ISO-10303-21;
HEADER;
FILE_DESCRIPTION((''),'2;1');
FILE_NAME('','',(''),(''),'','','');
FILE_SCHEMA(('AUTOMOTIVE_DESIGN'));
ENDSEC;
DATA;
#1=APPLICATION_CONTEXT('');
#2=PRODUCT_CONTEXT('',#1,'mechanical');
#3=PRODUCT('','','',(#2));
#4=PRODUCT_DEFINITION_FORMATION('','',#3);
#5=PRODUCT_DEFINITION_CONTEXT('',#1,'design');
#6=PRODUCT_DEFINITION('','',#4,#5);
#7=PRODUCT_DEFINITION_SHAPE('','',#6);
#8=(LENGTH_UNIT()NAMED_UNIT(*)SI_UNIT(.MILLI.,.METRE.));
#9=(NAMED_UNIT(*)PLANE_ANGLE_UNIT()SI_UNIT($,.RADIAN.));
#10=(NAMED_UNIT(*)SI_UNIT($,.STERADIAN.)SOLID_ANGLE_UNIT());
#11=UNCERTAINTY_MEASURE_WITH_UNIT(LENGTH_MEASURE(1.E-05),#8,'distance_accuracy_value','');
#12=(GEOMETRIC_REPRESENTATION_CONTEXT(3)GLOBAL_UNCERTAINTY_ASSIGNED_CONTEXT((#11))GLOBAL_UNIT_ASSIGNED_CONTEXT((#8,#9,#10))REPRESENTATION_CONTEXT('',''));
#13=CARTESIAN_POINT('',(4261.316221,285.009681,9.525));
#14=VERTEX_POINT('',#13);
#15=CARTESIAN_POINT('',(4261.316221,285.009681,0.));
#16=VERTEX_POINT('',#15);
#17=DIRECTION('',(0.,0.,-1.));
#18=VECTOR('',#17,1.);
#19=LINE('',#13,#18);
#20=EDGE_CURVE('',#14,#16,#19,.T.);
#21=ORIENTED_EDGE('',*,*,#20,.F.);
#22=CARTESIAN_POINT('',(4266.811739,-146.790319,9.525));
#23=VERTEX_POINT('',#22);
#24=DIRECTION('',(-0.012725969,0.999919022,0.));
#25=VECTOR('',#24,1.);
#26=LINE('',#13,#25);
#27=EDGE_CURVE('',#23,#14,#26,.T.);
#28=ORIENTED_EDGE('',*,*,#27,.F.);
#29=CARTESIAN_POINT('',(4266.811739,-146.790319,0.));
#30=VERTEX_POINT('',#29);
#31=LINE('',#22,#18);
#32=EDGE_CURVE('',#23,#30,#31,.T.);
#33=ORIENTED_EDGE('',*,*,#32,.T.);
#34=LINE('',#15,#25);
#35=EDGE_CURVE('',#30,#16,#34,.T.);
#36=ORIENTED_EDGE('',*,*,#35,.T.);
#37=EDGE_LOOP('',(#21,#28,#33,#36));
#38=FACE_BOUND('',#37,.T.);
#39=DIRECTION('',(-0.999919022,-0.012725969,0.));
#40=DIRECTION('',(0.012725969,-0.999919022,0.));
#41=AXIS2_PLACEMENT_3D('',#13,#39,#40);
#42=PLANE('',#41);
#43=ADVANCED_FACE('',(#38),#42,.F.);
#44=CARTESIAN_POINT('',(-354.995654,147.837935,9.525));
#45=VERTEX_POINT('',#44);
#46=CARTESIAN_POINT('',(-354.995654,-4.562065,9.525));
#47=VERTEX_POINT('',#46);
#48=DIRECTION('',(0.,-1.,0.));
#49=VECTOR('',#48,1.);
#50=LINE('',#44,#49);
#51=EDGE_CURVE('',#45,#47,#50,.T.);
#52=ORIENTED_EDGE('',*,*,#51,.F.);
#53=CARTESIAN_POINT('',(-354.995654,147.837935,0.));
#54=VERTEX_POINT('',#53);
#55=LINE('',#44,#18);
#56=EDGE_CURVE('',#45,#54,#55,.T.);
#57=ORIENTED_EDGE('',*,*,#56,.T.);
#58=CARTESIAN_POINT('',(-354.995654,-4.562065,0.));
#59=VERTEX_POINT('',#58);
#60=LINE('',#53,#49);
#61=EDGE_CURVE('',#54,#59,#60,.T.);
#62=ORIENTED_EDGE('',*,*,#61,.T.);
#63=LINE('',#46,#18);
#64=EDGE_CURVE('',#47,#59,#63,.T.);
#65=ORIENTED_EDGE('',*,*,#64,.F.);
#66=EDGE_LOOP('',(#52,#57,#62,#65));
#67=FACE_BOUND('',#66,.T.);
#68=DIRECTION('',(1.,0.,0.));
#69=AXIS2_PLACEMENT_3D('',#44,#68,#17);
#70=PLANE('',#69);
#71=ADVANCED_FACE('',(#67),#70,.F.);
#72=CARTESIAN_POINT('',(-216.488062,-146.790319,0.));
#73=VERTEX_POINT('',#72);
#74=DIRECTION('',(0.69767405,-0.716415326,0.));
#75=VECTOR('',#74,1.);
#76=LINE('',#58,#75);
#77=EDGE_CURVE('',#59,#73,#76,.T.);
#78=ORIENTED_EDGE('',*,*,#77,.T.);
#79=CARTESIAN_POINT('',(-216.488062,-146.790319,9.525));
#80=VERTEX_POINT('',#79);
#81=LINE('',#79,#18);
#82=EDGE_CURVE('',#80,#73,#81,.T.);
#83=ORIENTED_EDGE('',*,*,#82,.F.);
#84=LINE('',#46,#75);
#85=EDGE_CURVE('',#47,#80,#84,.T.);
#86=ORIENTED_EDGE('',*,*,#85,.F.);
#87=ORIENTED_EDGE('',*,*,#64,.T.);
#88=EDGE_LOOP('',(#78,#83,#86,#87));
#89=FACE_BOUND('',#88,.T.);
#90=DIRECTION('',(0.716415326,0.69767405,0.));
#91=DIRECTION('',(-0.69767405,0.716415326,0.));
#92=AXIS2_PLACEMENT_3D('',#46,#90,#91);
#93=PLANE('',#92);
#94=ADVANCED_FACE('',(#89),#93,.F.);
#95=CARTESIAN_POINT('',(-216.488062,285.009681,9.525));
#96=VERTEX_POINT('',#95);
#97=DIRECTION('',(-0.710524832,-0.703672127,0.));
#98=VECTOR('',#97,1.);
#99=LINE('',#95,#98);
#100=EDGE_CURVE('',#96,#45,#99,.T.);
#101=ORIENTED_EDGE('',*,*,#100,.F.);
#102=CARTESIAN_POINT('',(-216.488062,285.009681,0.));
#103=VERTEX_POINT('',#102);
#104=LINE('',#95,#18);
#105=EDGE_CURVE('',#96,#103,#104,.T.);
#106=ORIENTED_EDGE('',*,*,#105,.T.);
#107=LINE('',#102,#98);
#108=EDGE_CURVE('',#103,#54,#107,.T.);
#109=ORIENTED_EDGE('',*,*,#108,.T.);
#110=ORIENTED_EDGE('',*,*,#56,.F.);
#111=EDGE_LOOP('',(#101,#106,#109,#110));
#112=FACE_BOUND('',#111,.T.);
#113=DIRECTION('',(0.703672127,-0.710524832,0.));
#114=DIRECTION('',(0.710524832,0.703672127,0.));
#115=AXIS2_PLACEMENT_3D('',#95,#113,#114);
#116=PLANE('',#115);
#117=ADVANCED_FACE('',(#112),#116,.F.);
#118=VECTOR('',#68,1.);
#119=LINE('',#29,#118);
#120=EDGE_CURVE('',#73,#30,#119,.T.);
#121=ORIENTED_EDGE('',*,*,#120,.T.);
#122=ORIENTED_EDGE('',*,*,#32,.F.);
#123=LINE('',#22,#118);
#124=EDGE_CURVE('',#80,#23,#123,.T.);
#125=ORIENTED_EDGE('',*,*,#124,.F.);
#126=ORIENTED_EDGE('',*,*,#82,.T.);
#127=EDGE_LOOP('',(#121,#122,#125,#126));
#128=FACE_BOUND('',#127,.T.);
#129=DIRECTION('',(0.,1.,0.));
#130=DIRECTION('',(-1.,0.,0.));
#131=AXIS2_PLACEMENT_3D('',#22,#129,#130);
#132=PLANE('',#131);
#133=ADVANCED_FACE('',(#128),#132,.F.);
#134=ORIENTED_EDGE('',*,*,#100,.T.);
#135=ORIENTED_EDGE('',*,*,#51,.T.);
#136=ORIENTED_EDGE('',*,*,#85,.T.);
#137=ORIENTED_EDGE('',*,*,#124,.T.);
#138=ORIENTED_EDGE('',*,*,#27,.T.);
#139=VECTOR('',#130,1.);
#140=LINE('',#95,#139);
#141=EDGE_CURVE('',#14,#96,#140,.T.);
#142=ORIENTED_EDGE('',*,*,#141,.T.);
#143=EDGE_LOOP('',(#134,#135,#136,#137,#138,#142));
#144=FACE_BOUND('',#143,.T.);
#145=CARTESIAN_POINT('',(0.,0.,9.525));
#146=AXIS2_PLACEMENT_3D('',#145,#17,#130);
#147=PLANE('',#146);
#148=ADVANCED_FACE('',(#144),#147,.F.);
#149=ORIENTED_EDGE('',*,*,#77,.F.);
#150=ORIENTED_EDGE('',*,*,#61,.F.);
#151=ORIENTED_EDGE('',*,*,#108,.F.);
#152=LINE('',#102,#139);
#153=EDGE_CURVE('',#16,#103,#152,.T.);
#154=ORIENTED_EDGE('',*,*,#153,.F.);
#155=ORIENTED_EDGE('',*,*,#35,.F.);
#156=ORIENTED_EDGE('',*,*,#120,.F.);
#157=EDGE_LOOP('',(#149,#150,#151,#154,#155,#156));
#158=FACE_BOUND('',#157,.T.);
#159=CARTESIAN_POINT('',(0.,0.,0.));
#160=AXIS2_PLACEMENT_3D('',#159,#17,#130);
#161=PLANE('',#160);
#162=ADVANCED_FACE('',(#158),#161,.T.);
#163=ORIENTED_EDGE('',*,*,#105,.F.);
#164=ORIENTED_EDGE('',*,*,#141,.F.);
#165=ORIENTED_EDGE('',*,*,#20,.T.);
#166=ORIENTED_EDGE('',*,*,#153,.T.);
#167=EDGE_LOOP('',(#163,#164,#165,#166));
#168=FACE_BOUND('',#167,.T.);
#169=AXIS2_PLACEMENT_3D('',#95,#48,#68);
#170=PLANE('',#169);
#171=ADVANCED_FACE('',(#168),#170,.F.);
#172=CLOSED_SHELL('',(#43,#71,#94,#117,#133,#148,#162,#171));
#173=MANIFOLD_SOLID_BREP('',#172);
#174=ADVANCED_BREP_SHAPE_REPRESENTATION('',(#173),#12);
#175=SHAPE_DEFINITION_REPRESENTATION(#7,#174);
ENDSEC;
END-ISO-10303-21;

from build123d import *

# Parameters (mm, degrees)
BOSS_EXTRUDE1_DEPTH = 9.525


with BuildPart() as part:
    # Sketch1 → Boss-Extrude1 (new body)
    with BuildSketch(Plane.XY):
        Polygon((4266.811739053, -146.790318846), (-216.488062196, -146.790318846), (-354.995654443, -4.562065129), (-354.995654443, 147.837934871), (-216.488062196, 285.009681154), (4261.316220756, 285.009681154), align=None)
    extrude(amount=BOSS_EXTRUDE1_DEPTH)


solid = part.part
